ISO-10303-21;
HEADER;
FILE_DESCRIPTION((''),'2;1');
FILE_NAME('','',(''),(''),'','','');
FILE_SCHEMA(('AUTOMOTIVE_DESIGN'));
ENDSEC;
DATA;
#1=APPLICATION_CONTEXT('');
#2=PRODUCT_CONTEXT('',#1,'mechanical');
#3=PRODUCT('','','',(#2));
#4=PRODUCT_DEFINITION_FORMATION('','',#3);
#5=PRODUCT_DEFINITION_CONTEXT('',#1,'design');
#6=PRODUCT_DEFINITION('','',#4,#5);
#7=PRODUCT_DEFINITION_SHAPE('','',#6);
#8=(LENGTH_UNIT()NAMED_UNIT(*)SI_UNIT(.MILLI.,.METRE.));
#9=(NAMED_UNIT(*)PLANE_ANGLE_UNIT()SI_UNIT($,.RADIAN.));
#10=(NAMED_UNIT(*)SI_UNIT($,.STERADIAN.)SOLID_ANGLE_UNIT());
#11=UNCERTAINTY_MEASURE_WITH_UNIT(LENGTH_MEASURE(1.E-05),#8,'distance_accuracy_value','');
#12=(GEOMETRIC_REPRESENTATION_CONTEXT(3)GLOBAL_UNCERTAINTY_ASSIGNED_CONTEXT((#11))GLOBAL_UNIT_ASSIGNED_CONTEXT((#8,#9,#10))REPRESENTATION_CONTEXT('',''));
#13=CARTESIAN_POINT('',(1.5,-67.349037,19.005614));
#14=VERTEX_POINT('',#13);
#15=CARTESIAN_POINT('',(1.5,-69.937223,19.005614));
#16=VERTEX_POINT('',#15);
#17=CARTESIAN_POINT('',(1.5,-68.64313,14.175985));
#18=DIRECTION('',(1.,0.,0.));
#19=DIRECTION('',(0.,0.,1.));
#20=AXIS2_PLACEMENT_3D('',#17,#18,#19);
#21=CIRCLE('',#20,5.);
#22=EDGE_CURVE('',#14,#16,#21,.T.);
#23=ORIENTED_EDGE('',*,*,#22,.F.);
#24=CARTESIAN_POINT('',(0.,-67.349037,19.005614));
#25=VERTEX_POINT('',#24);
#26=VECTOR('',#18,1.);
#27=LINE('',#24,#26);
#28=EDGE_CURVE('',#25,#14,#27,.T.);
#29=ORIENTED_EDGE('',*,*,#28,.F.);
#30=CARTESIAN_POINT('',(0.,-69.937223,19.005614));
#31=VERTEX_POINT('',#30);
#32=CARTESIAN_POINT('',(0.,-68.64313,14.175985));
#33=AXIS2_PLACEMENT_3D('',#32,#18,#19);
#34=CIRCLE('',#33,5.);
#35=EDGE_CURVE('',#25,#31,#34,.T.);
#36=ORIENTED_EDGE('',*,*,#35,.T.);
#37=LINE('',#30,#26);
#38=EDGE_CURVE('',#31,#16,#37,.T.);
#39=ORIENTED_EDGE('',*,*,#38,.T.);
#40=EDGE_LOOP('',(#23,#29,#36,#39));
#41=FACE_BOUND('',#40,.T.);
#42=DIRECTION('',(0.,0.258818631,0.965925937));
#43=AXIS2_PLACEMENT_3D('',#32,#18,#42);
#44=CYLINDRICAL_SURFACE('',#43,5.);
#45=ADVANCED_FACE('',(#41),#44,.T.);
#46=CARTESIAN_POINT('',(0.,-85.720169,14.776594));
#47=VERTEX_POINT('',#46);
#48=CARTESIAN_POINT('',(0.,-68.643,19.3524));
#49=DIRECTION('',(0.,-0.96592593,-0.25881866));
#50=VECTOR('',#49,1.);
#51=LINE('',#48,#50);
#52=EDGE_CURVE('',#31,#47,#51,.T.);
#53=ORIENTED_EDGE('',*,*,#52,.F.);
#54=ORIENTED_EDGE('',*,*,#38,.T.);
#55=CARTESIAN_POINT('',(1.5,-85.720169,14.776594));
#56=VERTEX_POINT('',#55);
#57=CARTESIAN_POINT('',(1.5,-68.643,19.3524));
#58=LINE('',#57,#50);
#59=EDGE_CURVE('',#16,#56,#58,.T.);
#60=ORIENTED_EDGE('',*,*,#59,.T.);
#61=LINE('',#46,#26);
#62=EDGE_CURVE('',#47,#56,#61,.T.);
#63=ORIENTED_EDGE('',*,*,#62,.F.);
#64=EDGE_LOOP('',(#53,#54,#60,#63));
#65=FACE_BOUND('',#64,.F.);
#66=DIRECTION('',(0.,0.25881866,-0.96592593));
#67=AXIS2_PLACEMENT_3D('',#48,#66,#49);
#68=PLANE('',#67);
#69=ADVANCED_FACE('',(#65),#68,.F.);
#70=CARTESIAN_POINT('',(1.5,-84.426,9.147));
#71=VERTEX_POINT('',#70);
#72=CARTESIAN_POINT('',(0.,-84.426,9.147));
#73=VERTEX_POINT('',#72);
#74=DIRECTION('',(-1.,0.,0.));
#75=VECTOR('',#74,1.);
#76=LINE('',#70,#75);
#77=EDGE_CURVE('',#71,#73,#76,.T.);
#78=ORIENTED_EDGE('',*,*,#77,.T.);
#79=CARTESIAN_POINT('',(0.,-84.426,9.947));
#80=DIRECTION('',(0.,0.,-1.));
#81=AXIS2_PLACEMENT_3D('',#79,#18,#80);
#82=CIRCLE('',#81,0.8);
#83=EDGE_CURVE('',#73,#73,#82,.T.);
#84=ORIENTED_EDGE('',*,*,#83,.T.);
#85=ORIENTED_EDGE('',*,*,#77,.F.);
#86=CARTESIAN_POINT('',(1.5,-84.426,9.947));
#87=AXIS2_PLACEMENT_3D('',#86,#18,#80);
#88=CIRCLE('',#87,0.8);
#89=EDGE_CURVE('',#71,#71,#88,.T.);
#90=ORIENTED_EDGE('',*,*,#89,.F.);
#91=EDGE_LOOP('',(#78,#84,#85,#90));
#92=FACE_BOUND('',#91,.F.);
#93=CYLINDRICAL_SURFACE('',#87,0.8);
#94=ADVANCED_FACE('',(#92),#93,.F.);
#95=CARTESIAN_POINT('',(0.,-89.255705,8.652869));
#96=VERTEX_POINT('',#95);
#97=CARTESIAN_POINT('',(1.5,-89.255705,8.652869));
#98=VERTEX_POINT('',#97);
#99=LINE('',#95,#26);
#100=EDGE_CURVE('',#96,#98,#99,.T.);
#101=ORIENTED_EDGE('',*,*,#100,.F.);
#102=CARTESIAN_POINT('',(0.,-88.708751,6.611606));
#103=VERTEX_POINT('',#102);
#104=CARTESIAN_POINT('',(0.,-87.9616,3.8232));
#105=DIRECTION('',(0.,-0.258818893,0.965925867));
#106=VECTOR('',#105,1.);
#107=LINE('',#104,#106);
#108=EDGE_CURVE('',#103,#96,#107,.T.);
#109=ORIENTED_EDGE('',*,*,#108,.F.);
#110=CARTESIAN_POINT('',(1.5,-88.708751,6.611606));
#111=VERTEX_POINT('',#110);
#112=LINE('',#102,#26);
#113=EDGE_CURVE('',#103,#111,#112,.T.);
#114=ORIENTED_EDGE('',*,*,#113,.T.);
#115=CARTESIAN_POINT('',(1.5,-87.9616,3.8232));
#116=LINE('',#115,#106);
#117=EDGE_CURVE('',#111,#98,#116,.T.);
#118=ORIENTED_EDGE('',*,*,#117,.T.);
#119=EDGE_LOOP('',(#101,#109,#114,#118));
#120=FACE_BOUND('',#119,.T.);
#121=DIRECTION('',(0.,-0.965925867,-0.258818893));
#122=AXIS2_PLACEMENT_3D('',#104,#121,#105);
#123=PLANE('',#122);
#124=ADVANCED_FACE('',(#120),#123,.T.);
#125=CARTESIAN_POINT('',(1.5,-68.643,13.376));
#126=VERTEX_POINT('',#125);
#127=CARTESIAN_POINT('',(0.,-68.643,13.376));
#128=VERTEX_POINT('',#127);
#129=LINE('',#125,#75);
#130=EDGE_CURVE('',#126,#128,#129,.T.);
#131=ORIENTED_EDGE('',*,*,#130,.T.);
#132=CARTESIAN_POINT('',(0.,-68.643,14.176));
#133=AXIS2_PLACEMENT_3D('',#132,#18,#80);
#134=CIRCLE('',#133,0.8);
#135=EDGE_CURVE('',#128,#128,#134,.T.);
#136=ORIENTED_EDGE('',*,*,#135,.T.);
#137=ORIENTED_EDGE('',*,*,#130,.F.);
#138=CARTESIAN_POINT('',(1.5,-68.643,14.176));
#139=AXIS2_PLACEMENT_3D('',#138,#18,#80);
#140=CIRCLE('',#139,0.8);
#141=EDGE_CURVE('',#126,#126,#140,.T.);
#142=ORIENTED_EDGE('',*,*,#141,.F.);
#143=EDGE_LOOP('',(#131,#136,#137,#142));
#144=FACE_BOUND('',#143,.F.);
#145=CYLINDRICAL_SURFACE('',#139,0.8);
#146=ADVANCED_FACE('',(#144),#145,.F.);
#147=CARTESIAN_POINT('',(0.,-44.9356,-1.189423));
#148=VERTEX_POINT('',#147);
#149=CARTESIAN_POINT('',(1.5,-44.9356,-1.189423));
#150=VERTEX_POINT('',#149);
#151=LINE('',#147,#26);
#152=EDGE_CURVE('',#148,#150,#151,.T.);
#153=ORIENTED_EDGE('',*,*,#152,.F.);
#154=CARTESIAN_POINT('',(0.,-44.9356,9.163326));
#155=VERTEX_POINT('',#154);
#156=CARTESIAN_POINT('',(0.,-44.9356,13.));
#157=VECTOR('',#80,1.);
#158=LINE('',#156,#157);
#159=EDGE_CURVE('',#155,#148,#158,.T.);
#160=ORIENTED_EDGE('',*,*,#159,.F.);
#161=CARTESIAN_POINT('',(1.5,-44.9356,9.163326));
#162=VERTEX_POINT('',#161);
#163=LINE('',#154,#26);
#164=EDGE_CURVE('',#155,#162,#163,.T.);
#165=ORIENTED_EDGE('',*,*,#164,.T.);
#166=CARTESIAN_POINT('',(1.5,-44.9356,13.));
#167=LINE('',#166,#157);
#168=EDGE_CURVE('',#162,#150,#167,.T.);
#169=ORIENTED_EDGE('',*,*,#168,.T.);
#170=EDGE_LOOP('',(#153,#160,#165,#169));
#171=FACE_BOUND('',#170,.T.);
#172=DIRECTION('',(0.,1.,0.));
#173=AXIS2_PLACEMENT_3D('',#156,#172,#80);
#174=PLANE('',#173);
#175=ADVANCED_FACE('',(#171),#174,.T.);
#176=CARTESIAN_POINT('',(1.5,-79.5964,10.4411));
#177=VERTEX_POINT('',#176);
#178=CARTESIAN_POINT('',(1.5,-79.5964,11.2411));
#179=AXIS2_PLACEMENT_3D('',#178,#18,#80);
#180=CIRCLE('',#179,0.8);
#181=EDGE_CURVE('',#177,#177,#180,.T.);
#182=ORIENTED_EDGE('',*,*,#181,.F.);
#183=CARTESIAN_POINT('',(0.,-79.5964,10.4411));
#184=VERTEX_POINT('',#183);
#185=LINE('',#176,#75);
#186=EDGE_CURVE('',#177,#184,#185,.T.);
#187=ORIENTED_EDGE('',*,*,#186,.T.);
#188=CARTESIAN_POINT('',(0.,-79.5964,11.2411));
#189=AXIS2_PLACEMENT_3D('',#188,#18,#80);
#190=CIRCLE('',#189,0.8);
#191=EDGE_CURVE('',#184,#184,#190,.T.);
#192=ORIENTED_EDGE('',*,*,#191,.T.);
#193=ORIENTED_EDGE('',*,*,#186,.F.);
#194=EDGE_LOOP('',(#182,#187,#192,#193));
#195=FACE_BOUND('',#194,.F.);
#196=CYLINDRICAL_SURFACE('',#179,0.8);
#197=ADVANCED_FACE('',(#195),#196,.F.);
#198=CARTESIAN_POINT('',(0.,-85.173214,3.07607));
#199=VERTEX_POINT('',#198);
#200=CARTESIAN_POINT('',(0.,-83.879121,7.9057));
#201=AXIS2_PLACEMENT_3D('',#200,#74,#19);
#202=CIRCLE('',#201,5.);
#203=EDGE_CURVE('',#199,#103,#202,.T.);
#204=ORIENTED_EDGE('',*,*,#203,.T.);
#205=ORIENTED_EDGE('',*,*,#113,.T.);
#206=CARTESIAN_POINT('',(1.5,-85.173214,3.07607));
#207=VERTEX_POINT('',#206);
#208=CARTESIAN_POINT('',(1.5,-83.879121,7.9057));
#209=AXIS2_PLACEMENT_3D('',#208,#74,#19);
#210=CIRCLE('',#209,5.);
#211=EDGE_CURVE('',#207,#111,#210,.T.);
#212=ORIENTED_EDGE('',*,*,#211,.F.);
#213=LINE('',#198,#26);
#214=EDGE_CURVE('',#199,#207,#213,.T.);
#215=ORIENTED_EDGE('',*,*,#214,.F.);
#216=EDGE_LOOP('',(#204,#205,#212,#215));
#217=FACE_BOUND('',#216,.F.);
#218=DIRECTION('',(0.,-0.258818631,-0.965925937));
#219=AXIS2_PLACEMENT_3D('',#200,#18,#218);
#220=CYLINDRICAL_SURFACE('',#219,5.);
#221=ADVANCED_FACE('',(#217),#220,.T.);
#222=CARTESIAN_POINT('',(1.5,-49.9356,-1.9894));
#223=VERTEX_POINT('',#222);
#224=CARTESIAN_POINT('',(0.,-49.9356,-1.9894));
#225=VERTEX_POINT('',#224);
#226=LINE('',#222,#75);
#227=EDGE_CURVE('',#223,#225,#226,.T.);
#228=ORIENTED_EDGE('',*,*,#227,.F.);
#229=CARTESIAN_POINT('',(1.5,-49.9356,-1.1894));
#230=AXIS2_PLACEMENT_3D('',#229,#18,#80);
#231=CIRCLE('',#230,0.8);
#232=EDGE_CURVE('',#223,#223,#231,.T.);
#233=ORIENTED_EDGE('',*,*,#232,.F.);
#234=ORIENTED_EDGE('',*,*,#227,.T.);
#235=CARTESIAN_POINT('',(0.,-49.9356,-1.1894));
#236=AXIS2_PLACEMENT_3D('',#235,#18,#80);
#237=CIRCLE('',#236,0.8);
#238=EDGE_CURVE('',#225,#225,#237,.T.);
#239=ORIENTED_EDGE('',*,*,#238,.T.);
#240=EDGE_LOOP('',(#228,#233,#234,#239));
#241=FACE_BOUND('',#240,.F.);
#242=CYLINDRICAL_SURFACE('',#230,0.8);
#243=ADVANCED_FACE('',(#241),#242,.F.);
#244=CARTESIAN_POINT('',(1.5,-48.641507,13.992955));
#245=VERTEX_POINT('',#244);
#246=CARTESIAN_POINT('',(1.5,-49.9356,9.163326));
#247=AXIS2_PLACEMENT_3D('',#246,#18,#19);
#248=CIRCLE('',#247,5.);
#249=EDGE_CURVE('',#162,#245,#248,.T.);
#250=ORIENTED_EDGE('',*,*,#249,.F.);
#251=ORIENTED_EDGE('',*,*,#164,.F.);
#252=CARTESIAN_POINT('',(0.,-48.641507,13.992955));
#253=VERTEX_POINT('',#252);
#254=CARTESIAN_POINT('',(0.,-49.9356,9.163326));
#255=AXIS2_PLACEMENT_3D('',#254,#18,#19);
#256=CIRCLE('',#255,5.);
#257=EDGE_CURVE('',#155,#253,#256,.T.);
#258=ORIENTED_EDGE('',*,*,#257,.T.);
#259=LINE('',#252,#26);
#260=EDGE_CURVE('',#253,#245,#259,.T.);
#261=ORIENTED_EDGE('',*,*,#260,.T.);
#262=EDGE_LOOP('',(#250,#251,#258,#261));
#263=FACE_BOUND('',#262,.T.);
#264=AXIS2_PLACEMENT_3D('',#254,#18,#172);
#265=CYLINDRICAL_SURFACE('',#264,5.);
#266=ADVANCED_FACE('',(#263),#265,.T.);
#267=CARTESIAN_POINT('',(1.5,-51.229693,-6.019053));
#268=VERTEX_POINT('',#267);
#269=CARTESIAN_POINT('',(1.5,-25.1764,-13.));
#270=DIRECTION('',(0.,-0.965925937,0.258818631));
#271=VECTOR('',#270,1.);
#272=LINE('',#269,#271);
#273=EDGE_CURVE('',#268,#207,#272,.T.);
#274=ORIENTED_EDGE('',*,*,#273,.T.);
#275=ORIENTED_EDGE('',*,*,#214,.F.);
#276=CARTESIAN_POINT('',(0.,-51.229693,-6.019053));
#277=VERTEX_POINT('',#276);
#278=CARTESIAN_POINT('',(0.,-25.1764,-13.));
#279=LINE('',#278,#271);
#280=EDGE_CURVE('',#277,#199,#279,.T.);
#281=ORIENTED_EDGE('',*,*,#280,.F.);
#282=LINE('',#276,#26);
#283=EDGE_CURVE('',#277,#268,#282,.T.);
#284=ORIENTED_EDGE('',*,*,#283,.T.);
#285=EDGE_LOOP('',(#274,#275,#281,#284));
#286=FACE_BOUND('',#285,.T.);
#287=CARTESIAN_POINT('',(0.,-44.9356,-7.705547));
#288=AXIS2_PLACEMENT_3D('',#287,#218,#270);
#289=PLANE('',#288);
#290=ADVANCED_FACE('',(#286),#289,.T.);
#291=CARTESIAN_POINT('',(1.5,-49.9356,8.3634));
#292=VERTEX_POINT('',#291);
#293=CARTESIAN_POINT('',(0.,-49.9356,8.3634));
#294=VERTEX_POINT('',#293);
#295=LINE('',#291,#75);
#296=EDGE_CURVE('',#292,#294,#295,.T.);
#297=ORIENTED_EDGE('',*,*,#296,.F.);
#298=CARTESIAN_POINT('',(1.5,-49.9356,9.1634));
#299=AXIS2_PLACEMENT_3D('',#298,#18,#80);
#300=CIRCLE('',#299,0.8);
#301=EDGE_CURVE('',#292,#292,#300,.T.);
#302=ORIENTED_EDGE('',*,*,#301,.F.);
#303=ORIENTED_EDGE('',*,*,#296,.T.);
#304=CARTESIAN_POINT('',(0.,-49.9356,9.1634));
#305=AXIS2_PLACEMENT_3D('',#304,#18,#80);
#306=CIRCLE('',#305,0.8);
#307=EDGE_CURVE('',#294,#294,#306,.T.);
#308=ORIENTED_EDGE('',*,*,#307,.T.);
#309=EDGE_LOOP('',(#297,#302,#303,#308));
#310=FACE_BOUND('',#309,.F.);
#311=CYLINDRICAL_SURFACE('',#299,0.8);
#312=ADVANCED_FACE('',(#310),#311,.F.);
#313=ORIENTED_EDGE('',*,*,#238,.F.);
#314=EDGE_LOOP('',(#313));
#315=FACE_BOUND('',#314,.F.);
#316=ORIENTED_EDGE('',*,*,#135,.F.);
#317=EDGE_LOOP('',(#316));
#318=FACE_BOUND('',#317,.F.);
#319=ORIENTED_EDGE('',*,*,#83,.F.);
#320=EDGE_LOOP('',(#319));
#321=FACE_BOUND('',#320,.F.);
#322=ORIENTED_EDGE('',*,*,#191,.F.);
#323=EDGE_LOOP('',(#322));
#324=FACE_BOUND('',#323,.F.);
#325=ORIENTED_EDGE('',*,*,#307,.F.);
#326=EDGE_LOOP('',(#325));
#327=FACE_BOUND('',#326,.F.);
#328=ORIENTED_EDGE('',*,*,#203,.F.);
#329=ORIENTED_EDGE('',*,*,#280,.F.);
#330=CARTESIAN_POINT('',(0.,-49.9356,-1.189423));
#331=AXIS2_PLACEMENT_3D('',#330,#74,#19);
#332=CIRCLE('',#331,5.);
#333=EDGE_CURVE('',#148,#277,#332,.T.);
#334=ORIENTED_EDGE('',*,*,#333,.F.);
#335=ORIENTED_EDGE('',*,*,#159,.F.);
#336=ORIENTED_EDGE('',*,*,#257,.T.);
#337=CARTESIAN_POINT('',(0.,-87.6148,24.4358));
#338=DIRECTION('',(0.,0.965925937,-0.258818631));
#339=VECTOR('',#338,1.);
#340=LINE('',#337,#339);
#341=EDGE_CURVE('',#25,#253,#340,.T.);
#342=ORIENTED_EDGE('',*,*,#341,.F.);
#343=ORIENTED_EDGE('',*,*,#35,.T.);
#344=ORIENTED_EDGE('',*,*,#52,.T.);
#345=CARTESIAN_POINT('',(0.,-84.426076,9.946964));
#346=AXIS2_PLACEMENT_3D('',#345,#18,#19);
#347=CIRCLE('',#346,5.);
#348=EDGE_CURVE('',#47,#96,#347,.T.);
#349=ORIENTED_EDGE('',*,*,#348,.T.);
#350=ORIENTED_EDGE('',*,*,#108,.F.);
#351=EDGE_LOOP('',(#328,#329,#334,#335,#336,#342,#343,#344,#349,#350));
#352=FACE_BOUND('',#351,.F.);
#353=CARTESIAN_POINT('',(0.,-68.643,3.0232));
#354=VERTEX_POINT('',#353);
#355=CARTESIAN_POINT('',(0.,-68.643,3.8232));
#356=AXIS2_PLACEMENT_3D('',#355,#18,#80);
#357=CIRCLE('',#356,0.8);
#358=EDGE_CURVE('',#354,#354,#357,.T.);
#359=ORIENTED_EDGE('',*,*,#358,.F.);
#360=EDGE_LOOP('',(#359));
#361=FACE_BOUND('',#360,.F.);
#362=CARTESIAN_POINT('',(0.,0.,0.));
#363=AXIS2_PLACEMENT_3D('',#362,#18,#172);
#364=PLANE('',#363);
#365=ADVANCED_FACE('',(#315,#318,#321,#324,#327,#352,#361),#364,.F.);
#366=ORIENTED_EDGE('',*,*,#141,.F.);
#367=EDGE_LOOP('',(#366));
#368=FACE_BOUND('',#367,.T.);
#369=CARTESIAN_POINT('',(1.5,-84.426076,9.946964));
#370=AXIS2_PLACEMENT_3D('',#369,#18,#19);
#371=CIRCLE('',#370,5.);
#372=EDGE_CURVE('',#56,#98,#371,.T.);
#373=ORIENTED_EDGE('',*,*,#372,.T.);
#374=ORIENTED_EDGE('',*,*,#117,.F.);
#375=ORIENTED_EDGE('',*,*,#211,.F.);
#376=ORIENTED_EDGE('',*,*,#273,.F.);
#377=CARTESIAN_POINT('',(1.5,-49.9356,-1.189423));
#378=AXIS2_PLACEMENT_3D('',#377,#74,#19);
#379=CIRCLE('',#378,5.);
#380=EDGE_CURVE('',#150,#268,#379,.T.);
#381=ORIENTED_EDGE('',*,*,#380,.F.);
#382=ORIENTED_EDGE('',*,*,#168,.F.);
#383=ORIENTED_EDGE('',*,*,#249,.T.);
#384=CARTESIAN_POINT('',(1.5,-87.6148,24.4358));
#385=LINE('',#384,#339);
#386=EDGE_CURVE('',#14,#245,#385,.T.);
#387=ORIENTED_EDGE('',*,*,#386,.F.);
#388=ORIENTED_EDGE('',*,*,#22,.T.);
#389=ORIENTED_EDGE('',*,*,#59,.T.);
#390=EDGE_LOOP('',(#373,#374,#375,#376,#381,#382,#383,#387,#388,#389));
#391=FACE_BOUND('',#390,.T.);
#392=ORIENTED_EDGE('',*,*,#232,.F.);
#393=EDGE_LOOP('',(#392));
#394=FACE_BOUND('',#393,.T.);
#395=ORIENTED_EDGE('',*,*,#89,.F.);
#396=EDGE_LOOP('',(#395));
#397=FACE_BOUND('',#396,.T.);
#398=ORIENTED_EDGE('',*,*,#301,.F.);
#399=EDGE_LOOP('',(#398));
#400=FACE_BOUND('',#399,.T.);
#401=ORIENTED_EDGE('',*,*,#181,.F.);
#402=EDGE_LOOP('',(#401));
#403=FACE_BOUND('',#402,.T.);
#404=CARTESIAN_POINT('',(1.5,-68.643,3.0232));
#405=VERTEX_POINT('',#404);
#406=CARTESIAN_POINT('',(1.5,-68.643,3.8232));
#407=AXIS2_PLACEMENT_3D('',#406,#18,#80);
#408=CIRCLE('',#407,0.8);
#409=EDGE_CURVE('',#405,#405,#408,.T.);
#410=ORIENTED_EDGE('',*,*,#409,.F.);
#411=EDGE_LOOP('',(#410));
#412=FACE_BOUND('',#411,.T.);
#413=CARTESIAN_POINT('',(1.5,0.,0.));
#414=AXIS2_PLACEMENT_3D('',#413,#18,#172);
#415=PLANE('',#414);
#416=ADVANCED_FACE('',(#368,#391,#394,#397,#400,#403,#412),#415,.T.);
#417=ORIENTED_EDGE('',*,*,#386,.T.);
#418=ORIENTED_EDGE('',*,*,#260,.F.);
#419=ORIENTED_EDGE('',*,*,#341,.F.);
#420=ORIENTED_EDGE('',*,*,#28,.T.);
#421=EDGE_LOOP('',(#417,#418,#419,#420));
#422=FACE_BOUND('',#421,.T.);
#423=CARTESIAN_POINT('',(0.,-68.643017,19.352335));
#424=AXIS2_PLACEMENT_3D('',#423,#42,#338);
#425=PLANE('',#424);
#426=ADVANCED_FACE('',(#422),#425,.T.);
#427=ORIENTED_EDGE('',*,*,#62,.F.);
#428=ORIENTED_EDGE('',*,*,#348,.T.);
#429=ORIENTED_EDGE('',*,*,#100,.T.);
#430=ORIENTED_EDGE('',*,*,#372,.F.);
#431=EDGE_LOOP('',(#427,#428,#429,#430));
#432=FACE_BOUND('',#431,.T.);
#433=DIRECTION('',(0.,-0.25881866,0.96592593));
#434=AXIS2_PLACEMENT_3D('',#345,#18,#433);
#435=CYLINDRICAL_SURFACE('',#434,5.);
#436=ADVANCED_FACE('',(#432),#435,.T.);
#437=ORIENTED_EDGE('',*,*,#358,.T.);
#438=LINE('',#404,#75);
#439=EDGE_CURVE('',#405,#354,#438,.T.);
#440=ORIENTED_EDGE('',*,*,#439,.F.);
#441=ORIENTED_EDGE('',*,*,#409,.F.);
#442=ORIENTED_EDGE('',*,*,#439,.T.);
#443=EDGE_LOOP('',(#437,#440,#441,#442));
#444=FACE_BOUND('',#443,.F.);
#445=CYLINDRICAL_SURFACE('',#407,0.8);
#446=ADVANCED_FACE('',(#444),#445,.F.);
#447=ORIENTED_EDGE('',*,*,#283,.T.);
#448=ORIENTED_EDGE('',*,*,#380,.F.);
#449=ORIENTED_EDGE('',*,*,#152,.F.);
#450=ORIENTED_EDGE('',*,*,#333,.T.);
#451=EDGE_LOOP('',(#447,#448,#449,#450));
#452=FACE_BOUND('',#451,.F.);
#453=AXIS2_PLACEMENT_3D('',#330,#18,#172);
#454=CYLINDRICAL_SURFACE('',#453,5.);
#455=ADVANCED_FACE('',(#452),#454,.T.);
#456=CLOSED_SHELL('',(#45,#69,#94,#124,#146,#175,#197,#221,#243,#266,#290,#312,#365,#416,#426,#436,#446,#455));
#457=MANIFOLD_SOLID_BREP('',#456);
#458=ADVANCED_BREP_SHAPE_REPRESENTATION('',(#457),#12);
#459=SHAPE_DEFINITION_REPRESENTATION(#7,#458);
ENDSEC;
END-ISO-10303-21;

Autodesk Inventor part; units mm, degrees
ref_plane "YZ Plane" through (0, 0, 0) normal (1, 0, 0) x (0, 1, 0)
ref_plane "XZ Plane" through (0, 0, 0) normal (0, 1, 0) x (-1, 0, 0)
ref_plane "XY Plane" through (0, 0, 0) normal (0, 0, 1) x (1, 0, 0)
sketch "スケッチ1" plane through (0, 0, 0) normal (1, 0, 0) x (0, 1, 0)
  circle A0 centre (0, 0) radius 13
  circle A1 centre (0, 0) radius 4.25
  circle A2 centre (0, 0) radius 6 construction
  circle A3 centre (6, 0) radius 1
  circle A4 centre (3, 5.1962) radius 1
  circle A5 centre (-3, 5.1962) radius 1
  circle A6 centre (-6, 0) radius 1
  circle A7 centre (-3, -5.1962) radius 1
  circle A8 centre (3, -5.1962) radius 1
  line L0 (0, 13) -> (-44.9356, 13)
  line L1 (-44.9356, 13) -> (-44.9356, -13)
  line L2 (-44.9356, -13) -> (0, -13)
  line L3 (0, -13) -> (0, 13)
  line L4 (-20, 6.3185) -> (-25.1764, -13)
  line L5 (-25.1764, -13) -> (-92.7912, 5.1173)
  line L6 (-92.7912, 5.1173) -> (-87.6148, 24.4358)
  line L7 (-87.6148, 24.4358) -> (-20, 6.3185)
  line L8 (-68.643, 19.3524) -> (-90.5498, 13.4825)
  line L9 (-87.9616, 3.8232) -> (-90.5498, 13.4825)
  circle A9 centre (-72.0415, 13.3611) radius 2.5
  circle A10 centre (-60.509, 10.271) radius 2.5
  circle A11 centre (-79.5332, 8.4667) radius 2.5
  circle A12 centre (-68.0007, 5.3766) radius 2.5
  circle A13 centre (-56.4682, 2.2864) radius 2.5
  line L10 (-72.0415, 13.3611) -> (-60.509, 10.271) construction
  line L11 (-79.5332, 8.4667) -> (-56.4682, 2.2864) construction
  line L12 (-72.0415, 13.3611) -> (-72.6885, 10.9463) construction
  line L13 (-79.5332, 8.4667) -> (-80.1803, 6.0519) construction
  line L14 (-68.0007, 5.3766) -> (-68.6477, 2.9618) construction
  line L15 (-79.5332, 8.4667) -> (-89.9539, 11.2589) construction
  line L16 (-56.4682, 2.2864) -> (-44.9356, -0.8037) construction
  line L17 (-56.4682, 2.2864) -> (-57.1152, -0.1284)
  point P0 (-3.3656, 12.5568)
  point P1 (-44.9356, -7.7055)
  dimension "d2" = 26
  dimension "d4" = 12
  dimension "d27" = 5
  dimension "d29" = 5
  dimension "d30" = 5
  dimension "d31" = 5
  dimension "d3" = 8.5
  dimension "d5" = 2
  dimension "d8" = 360
  dimension "d12" = 15
  dimension "d13" = 20
  dimension "d14" = 70
  dimension "d15" = 20
  dimension "d18" = 10
  dimension "d19" = 30
  dimension "d28" = 5
  dimension "d32" = 11.9393
  dimension "d33" = 11.9393
  dimension "d34" = 11.9393
  dimension "d35" = 5.9697
  dimension "d36" = 6.6667
  dimension "d37" = 6.6667
  dimension "d38" = 6.6667
  dimension "d39" = 11.9393
  dimension "d40" = 11.9393
extrude "押し出し1" add sketch "スケッチ1" along normal blind 1.5 contours L1 L5 L9 L8 L7 | A9 | A10 | A11 | A12 | A13
fillet "フィレット1" radius 5 5 edges at (0.75, -68.643, 19.3524) (0.75, -90.5498, 13.4825) (0.75, -87.9616, 3.8232) (0.75, -44.9356, -7.7055) (0.75, -44.9356, 13)
sketch "スケッチ3" plane through (1.5, 0, 0) normal (1, 0, 0) x (0, 0, -1)
  point P0 (0, 0)
sketch "スケッチ4" plane through (1.5, 0, 0) normal (1, 0, 0) x (0, 0, -1)
  circle A0 centre (-9.947, -84.426) radius 0.8 projected
  circle A1 centre (-11.2411, -79.5964) radius 0.8 projected
  circle A2 centre (-14.176, -68.643) radius 0.8
  circle A3 centre (-9.1634, -49.9356) radius 0.8
  circle A4 centre (1.1894, -49.9356) radius 0.8
  circle A5 centre (-3.8232, -68.643) radius 0.8
  arc A6 (-19.0056, -67.3489) -> (-19.0056, -69.9371) centre (-14.176, -68.643) ccw projected
  arc A7 (-9.1634, -44.9356) -> (-13.993, -48.6415) centre (-9.1634, -49.9356) ccw projected
  arc A8 (6.019, -51.2297) -> (1.1894, -44.9356) centre (1.1894, -49.9356) ccw projected
  line L0 (-3.8232, -68.643) -> (1.1894, -49.9356) construction
  line L1 (-3.0761, -85.1732) -> (6.019, -51.2297) projected
  point P0 (0, 0)
  dimension "d43" = 1.6
  dimension "d44" = 1.6
  dimension "d45" = 1.6
  dimension "d46" = 1.6
extrude "押し出し2" cut sketch "スケッチ4" against normal through all
equation "\"d32\" = d40"
equation "\"d33\" = d32"
equation "\"d34\" = d33"
equation "\"d35\" = 0.5 * d33"
equation "\"d36\" = d38"
equation "\"d37\" = d38"
equation "\"d39\" = d40"
properties part number "hand" material "アルミニウム 6061"
